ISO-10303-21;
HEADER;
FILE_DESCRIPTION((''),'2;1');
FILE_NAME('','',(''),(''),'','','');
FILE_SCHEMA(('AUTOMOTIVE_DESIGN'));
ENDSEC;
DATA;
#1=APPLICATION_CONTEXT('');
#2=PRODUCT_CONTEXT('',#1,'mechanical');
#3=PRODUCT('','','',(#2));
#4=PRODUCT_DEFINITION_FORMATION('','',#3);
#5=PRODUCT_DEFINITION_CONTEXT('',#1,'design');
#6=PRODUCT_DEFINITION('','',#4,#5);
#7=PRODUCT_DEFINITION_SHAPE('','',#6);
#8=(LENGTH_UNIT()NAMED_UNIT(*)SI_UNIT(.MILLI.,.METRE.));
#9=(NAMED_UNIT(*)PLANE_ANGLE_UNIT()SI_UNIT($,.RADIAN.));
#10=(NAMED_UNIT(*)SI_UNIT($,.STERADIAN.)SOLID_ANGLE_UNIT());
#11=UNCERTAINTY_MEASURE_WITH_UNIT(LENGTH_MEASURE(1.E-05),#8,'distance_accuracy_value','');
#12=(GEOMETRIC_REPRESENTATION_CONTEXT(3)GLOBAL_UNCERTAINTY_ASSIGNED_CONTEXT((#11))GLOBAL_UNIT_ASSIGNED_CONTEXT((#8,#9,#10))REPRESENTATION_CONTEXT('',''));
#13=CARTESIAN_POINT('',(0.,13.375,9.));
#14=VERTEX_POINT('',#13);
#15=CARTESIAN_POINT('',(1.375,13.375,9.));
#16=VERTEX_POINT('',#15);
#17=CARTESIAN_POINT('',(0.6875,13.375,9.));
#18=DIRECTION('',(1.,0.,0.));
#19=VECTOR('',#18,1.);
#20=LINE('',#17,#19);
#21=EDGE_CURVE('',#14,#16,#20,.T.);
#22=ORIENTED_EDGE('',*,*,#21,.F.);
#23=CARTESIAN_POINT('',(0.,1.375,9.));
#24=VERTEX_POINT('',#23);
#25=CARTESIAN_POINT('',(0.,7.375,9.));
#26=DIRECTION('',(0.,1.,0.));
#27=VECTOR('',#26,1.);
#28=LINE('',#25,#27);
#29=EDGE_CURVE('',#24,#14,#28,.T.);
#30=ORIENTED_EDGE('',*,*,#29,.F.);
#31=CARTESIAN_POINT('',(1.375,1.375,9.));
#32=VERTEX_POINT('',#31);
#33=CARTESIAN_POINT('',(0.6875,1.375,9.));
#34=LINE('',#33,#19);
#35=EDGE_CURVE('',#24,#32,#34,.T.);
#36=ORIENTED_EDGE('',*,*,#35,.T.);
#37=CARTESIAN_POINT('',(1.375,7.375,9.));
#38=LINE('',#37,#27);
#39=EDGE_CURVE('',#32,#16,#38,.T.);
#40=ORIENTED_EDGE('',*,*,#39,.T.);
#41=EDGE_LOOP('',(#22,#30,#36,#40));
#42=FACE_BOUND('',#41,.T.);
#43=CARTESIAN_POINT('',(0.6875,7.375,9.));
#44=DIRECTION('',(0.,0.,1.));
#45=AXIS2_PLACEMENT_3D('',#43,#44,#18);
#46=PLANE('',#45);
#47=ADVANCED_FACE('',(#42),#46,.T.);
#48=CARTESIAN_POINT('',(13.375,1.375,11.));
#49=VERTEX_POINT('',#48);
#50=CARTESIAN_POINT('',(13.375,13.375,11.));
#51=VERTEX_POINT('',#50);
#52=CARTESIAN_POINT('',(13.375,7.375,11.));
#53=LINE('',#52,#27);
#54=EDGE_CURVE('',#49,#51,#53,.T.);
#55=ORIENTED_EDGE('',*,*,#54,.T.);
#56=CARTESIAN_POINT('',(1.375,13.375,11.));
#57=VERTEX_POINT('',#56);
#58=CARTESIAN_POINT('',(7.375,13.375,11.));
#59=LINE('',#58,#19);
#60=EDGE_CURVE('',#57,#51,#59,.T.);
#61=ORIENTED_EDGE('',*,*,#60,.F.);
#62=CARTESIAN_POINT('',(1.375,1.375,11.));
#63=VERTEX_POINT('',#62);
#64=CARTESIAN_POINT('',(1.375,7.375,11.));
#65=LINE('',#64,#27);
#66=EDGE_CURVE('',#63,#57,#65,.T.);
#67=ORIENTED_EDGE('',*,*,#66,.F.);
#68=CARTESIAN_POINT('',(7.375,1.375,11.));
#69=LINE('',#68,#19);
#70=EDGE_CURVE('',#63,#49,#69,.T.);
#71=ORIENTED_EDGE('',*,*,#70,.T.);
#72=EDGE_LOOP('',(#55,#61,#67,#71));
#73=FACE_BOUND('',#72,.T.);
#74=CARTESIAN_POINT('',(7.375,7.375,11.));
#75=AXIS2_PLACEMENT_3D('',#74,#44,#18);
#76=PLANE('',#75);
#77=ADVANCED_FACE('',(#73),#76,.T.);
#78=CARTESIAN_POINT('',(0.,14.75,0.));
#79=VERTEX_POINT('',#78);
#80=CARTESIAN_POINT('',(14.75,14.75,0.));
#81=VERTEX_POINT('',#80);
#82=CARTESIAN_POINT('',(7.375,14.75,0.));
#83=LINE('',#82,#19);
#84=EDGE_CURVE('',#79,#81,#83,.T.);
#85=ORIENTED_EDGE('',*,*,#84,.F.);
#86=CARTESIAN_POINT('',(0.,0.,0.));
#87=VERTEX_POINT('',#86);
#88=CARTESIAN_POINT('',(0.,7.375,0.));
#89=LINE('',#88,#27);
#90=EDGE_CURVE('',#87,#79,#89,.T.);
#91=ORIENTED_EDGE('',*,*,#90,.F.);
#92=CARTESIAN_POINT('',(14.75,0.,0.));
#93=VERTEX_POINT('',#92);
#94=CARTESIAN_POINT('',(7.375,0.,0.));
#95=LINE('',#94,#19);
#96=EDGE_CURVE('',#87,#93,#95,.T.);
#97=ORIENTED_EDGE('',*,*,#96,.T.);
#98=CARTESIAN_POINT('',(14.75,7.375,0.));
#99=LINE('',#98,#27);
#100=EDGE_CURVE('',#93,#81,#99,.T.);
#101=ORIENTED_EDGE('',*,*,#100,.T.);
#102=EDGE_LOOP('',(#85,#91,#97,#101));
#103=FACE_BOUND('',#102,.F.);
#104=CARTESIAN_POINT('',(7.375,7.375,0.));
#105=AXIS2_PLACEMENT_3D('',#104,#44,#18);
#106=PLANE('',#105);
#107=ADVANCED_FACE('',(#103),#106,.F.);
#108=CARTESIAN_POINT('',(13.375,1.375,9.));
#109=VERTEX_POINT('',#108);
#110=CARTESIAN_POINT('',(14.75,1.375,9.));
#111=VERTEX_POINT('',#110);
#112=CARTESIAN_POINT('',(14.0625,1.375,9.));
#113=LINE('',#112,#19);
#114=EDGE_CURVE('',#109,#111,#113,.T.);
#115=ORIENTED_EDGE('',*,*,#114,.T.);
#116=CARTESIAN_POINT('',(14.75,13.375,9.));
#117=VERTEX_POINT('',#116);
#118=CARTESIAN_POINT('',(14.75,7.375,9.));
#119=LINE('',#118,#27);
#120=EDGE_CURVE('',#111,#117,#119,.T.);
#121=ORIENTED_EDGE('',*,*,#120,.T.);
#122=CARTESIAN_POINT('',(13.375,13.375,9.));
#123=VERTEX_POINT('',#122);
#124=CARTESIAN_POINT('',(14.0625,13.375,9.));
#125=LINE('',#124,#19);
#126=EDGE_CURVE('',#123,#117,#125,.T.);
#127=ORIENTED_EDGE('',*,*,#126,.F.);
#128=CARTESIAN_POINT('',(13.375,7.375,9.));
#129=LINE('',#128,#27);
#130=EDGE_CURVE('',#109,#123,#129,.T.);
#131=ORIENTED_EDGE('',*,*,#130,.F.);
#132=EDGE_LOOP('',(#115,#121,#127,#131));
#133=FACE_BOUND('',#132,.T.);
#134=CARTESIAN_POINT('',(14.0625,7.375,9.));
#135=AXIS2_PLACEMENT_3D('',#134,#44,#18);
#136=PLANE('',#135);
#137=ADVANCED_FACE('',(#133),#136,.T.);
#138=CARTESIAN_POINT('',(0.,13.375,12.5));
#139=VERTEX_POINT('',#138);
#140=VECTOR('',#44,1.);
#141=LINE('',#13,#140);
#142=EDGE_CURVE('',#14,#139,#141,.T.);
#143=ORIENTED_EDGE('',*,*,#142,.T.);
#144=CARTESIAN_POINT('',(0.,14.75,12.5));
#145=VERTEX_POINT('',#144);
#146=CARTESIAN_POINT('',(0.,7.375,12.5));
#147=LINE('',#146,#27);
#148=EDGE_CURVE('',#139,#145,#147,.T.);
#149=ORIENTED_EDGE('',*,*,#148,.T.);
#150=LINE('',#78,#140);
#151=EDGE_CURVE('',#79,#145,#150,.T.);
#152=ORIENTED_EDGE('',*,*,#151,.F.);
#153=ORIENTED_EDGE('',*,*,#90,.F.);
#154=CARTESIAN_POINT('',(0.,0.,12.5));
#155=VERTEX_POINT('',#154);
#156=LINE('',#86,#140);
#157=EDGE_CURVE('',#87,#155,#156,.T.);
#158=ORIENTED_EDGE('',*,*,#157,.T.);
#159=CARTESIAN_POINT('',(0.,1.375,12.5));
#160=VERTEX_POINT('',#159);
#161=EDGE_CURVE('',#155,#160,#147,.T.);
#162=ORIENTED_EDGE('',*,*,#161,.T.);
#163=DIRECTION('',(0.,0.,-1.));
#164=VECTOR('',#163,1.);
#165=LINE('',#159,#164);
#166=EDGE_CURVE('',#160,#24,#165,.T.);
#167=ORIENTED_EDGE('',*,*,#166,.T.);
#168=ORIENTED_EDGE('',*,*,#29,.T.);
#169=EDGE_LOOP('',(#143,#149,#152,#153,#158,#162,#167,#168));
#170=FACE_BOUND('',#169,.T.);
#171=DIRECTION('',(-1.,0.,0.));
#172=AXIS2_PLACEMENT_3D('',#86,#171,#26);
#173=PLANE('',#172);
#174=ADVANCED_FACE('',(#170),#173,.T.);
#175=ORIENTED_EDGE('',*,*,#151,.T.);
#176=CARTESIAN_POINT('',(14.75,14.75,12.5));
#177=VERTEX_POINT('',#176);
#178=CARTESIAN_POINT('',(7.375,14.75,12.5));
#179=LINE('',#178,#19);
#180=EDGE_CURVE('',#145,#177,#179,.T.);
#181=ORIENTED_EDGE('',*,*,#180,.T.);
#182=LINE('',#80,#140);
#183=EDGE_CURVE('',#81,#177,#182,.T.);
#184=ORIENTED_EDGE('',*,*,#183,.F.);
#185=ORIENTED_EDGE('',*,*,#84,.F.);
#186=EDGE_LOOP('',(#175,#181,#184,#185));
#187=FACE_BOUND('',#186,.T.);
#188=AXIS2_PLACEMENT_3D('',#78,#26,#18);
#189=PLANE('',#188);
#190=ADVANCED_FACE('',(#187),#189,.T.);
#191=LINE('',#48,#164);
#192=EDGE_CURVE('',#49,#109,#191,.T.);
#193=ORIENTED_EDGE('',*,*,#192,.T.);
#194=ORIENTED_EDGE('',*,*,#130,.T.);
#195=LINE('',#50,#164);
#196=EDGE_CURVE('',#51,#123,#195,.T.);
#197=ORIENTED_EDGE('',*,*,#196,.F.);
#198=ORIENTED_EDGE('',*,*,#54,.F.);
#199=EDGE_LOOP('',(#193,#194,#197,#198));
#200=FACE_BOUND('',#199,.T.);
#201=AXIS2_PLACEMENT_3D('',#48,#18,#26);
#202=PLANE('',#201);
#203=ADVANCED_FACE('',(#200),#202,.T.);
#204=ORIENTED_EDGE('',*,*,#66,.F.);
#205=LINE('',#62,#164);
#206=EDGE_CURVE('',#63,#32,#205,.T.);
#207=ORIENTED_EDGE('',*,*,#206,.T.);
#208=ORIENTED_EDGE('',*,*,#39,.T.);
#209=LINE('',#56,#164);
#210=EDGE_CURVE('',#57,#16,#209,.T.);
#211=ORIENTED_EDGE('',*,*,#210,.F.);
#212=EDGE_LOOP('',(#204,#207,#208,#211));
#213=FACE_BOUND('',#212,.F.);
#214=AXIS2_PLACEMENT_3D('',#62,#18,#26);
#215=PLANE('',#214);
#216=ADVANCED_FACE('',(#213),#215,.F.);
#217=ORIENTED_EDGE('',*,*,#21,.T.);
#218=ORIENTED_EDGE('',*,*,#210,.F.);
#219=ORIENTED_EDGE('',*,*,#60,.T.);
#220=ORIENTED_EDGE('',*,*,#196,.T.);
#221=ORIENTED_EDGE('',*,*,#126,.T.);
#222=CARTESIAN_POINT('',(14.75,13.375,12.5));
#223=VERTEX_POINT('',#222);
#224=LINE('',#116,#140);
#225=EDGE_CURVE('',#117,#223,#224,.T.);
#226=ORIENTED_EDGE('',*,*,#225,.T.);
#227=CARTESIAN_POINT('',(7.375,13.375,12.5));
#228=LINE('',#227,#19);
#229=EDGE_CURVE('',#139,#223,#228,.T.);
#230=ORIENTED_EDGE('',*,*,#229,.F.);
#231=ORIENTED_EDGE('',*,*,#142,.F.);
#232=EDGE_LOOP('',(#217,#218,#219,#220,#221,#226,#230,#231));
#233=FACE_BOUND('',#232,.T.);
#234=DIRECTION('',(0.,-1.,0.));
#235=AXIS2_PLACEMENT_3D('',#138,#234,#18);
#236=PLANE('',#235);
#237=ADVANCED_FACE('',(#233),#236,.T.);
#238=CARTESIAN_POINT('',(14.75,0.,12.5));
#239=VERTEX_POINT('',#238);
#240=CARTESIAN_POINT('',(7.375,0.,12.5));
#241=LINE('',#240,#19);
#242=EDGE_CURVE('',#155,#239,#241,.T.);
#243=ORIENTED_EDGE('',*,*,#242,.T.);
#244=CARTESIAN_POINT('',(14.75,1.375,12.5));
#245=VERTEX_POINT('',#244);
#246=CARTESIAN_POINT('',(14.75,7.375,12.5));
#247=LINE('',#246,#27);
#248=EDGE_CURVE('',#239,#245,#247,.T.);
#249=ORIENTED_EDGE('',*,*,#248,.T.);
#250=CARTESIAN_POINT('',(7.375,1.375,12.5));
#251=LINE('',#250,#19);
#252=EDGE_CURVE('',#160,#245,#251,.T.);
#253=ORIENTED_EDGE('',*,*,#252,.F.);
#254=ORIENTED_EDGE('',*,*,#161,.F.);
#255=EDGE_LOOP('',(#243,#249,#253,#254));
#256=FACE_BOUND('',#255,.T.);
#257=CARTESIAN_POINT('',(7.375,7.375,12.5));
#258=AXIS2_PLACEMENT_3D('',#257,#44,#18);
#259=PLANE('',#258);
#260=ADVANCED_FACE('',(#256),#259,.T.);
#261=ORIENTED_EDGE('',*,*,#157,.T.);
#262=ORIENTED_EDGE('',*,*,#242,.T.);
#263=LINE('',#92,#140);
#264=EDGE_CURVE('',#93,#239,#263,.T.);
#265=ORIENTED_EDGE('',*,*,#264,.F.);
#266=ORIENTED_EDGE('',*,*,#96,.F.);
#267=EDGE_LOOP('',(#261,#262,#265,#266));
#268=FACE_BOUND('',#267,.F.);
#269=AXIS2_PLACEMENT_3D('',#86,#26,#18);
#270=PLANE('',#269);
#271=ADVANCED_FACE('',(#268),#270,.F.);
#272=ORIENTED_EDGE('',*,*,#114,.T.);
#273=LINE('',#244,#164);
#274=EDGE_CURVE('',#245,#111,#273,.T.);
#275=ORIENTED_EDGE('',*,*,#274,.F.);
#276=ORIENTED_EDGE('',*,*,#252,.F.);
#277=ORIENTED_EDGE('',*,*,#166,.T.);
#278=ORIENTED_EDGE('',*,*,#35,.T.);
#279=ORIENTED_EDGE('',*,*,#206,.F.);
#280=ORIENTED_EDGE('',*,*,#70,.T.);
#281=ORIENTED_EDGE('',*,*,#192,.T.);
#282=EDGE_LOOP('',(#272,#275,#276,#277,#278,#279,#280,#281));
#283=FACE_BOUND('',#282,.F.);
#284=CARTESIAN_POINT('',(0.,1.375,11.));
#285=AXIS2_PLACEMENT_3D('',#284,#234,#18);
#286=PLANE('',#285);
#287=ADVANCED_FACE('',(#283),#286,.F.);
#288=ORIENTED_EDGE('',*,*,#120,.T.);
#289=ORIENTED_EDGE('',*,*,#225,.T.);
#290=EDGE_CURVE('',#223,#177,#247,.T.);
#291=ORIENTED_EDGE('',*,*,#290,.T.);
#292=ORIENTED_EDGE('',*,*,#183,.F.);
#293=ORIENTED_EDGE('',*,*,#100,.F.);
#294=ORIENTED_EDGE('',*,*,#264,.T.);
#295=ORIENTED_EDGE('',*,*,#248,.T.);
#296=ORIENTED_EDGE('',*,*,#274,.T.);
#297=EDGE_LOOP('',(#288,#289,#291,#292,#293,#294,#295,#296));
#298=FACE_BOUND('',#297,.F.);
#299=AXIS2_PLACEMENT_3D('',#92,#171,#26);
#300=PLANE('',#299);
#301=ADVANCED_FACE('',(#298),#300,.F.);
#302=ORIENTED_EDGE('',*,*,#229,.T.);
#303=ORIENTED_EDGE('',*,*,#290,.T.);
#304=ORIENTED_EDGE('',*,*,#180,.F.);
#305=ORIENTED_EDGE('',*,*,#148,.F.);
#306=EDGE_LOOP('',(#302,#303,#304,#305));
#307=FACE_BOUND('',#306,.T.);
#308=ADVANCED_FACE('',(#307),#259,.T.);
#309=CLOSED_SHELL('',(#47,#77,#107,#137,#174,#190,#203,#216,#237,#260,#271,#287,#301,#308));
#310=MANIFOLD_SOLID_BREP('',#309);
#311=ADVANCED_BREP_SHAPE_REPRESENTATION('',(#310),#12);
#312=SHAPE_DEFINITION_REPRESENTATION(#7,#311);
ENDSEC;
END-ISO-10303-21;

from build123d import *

# Parameters (mm, degrees)
SKETCH_W        = 14.75
SKETCH_H        = 14.75
PAD_DEPTH       = 12.5
SKETCH001_W     = 14.75
SKETCH001_H     = 12
POCKET_DEPTH    = 1.5
SKETCH002_W     = 1.375
SKETCH002_H     = 12
POCKET001_DEPTH = 2


with BuildPart() as part:
    # Sketch → Pad (new body)
    with BuildSketch(Plane.XY):
        with Locations((7.375, 7.375)):
            Rectangle(SKETCH_W, SKETCH_H)
    extrude(amount=PAD_DEPTH)

    # Sketch001 → Pocket (cut)
    with BuildSketch(Plane.XY.offset(12.5)):
        with Locations((7.375, 7.375)):
            Rectangle(SKETCH001_W, SKETCH001_H)
    extrude(amount=-POCKET_DEPTH, mode=Mode.SUBTRACT)

    # Sketch002 → Pocket001 (cut)
    with BuildSketch(Plane.XY.offset(11)):
        with Locations((0.6875, 7.375)):
            Rectangle(SKETCH002_W, SKETCH002_H)
        with Locations((14.0625, 7.375)):
            Rectangle(SKETCH002_W, SKETCH002_H)
    extrude(amount=-POCKET001_DEPTH, mode=Mode.SUBTRACT)


solid = part.part
